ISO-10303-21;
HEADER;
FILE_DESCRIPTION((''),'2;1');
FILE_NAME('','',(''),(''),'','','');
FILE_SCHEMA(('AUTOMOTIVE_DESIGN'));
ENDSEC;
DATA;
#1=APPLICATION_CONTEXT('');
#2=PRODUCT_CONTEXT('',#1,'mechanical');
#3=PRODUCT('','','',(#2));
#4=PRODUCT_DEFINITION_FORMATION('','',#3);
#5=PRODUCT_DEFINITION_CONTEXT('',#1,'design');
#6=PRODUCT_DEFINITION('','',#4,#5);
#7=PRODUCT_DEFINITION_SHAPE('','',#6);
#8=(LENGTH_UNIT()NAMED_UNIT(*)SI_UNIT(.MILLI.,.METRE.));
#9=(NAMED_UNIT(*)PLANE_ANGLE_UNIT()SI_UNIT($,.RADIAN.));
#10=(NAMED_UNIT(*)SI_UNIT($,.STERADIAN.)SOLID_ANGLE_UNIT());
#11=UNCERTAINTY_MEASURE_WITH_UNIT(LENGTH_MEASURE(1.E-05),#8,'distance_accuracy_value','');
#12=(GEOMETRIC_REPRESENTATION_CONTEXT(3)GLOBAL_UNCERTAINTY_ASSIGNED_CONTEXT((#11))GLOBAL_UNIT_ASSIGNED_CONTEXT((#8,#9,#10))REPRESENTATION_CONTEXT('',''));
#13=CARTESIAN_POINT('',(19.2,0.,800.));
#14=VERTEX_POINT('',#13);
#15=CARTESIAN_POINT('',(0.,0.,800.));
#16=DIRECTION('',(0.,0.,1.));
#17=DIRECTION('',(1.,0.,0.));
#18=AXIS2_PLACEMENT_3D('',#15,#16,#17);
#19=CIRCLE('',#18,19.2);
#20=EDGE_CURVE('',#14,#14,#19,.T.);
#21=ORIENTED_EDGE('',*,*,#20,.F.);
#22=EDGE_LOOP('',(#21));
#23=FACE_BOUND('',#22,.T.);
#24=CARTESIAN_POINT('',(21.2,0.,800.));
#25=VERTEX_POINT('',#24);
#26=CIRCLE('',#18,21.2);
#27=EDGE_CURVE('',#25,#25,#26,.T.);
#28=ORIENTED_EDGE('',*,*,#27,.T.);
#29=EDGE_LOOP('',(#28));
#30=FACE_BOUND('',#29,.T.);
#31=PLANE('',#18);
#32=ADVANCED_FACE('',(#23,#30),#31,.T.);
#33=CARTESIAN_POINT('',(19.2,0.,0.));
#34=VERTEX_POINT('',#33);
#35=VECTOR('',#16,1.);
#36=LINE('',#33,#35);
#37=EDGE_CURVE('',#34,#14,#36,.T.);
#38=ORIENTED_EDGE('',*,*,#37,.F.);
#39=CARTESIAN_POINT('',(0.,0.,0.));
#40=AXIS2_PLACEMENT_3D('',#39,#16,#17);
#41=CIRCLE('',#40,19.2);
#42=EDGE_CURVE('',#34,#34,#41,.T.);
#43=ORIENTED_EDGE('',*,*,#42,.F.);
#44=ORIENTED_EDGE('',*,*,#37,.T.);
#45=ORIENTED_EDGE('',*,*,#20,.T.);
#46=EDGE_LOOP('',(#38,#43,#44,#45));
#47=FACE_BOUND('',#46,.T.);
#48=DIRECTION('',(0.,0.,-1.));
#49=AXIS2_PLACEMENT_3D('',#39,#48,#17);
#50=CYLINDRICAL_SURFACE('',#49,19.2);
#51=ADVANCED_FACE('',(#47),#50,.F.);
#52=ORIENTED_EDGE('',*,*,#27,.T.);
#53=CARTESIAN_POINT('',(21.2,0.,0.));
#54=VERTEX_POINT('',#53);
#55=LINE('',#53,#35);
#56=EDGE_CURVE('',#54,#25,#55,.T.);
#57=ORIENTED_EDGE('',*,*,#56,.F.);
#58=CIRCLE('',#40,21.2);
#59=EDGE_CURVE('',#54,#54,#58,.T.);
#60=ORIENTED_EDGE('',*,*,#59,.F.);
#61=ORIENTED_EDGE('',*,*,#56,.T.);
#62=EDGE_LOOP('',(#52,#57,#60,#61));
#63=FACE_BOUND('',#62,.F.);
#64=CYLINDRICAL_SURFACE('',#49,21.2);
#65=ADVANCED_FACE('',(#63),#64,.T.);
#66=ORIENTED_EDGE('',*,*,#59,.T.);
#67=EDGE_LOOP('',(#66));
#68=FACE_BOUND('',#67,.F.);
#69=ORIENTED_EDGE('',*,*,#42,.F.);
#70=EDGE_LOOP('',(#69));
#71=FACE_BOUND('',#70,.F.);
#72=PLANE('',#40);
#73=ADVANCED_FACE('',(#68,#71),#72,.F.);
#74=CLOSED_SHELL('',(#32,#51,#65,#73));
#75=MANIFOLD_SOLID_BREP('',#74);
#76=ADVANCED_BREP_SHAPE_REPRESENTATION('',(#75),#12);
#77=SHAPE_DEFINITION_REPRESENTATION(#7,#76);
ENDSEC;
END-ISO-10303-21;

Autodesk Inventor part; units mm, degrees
ref_plane "YZ Plane" through (0, 0, 0) normal (1, 0, 0) x (0, 1, 0)
ref_plane "Start Plane" through (0, 0, 0) normal (0, 0, 1) x (1, 0, 0)
ref_plane "End Plane" through (0, 0, 800) normal (0, 0, 1) x (1, 0, 0)
sketch "Sketch" plane through (0, 0, 0) normal (0, 0, 1) x (1, 0, 0)
  circle A0 centre (0, 0) radius 19.2
  circle A1 centre (0, 0) radius 21.2
  dimension "d0" = 42.4
  dimension "d1" = 2
extrude "Body" add sketch "Sketch" along normal up to surface (800 mm away) from surface at 0
sketch "Sketch3" plane through (0, 0, 0) normal (0, 0, 1) x (1, 0, 0)
  line L0 (0, 0) -> (10, 0)
ref_plane "Work Plane3" through (0, 0, 0) normal (0, -1, 0) x (1, 0, 0)
sketch "Sketch4" plane through (0, 0, 0) normal (0, -1, 0) x (1, 0, 0)
  line L0 (-2, 0) -> (12, 0) projected
  line L1 (-2, 800) -> (12, 800) projected
  dimension "d7" = 800
equation "\"d0\" = G_H"
equation "\"d1\" = G_T"
equation "\"d2\" = G_L"
equation "\"G_H\" = 42.4"
equation "\"G_T\" = 2"
equation "\"G_L\" = d7"
equation "\"G_OFFSET_START\" = 0"
equation "\"G_OFFSET_END\" = 0"
properties part number "ISO 10799-2 - 42.4x2.0 - 800" material "Stainless Steel"
